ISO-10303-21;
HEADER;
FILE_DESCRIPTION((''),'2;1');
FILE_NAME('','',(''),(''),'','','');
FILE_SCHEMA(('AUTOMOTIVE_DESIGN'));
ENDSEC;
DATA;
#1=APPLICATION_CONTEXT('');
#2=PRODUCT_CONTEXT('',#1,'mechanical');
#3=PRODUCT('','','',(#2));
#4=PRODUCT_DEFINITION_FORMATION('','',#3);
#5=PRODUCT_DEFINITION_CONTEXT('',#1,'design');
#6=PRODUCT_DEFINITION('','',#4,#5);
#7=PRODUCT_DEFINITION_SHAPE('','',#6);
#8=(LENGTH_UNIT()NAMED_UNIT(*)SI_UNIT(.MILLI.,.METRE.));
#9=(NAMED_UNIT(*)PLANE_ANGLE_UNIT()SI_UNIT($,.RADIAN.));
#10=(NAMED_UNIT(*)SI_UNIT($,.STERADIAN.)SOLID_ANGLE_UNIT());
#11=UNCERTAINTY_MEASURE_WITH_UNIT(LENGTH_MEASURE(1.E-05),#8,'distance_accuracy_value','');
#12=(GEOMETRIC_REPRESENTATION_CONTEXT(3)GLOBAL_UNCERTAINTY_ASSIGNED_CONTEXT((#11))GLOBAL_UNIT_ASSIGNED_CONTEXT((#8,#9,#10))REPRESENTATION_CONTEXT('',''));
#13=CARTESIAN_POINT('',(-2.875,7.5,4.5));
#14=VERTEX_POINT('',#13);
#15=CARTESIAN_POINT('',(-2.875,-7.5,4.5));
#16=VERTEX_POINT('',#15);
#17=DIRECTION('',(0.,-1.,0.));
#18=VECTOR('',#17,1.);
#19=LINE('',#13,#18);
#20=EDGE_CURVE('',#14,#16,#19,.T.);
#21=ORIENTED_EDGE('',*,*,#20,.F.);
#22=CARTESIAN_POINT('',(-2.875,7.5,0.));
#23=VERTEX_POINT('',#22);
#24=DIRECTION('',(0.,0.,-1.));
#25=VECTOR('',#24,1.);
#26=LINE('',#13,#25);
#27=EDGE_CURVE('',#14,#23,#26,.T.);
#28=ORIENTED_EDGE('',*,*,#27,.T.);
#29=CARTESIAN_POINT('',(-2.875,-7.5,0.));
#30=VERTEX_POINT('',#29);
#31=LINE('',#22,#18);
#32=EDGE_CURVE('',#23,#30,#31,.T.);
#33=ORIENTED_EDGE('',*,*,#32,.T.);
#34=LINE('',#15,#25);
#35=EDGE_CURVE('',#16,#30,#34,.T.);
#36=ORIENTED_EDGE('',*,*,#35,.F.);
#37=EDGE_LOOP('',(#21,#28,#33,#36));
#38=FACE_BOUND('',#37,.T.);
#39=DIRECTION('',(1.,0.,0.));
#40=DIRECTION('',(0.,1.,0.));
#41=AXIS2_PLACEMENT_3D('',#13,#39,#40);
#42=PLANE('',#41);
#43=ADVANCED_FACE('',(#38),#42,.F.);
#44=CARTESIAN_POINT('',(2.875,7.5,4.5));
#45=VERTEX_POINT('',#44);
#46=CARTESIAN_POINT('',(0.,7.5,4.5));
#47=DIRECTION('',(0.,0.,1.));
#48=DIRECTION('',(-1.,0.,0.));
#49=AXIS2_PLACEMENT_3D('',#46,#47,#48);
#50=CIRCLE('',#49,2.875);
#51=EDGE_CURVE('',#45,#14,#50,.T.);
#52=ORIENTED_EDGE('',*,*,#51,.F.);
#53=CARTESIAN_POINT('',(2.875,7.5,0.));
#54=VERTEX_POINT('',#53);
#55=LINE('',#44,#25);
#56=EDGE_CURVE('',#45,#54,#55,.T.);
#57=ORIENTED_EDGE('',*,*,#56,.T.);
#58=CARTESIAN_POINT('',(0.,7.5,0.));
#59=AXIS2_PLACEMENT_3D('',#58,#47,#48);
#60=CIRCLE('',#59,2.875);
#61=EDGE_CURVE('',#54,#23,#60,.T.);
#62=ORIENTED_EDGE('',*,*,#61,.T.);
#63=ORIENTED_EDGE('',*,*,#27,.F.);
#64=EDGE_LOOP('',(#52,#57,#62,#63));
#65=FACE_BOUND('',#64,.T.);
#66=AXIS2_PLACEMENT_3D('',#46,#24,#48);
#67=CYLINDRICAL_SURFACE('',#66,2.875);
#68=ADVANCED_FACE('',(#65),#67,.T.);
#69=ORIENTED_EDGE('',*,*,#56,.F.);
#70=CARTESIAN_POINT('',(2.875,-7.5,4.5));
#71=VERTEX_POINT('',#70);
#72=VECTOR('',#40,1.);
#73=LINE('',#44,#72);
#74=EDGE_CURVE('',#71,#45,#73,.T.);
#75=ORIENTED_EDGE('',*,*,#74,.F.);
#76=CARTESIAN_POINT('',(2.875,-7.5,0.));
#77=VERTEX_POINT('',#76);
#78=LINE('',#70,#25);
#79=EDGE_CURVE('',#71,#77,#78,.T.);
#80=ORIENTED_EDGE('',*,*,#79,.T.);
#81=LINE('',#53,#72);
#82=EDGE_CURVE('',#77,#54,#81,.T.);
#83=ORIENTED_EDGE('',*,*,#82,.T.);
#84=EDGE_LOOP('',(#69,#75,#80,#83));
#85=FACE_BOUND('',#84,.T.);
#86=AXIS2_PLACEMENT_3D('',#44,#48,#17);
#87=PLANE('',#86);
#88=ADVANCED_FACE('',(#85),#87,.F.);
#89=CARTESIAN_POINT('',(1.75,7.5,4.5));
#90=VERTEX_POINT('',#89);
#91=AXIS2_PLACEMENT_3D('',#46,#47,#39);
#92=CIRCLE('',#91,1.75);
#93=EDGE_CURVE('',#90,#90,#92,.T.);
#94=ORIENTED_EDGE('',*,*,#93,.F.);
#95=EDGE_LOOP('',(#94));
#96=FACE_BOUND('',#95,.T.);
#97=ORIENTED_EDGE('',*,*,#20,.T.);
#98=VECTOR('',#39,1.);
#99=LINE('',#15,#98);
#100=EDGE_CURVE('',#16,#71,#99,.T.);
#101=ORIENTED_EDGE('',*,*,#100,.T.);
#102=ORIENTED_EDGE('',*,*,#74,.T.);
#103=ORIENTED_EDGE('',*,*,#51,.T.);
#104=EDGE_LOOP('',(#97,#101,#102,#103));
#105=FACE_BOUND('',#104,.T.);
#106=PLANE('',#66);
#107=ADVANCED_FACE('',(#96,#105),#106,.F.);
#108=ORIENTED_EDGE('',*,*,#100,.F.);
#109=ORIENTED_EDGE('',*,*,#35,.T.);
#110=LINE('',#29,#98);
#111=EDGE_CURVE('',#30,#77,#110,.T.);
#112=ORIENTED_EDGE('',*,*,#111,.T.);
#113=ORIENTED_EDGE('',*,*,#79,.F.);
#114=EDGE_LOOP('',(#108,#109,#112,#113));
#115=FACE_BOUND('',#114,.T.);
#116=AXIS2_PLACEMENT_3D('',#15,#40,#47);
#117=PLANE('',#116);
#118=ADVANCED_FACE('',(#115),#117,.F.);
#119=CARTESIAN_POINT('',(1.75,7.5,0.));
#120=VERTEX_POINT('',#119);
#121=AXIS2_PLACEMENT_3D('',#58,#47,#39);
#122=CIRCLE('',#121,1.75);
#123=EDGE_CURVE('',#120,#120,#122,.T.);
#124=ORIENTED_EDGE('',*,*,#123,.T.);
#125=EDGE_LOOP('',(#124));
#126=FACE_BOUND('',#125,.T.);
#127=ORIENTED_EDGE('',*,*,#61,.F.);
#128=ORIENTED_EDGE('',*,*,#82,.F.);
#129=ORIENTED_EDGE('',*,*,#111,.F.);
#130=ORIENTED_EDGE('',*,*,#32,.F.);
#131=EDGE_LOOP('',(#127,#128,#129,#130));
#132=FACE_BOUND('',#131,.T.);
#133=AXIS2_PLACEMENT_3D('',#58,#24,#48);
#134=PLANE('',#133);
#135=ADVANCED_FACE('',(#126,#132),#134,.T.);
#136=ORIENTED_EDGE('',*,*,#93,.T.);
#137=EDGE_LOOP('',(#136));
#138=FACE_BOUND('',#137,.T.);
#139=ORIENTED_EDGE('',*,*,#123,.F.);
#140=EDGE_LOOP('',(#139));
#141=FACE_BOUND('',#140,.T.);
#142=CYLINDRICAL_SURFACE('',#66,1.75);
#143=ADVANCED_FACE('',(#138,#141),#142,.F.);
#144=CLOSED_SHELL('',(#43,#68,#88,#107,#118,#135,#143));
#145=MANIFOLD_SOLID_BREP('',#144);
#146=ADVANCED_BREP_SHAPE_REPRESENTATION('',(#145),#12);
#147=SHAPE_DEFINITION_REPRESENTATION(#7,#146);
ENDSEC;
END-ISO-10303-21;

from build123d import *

# Parameters (mm, degrees)
CROQUIS1_R              = 1.75
SALIENTE_EXTRUIR1_DEPTH = 4.5


with BuildPart() as part:
    # Croquis1 → Saliente-Extruir1 (new body)
    with BuildSketch(Plane.XY):
        with BuildLine():
            Line((-2.875, 7.5), (-2.875, -7.5))
            Line((-2.875, -7.5), (2.875, -7.5))
            Line((2.875, -7.5), (2.875, 7.5))
            ThreePointArc((2.875, 7.5), (0, 10.375), (-2.875, 7.5))
        make_face()
        with Locations((0, 7.5)):
            Circle(CROQUIS1_R, mode=Mode.SUBTRACT)
    extrude(amount=SALIENTE_EXTRUIR1_DEPTH)


solid = part.part
